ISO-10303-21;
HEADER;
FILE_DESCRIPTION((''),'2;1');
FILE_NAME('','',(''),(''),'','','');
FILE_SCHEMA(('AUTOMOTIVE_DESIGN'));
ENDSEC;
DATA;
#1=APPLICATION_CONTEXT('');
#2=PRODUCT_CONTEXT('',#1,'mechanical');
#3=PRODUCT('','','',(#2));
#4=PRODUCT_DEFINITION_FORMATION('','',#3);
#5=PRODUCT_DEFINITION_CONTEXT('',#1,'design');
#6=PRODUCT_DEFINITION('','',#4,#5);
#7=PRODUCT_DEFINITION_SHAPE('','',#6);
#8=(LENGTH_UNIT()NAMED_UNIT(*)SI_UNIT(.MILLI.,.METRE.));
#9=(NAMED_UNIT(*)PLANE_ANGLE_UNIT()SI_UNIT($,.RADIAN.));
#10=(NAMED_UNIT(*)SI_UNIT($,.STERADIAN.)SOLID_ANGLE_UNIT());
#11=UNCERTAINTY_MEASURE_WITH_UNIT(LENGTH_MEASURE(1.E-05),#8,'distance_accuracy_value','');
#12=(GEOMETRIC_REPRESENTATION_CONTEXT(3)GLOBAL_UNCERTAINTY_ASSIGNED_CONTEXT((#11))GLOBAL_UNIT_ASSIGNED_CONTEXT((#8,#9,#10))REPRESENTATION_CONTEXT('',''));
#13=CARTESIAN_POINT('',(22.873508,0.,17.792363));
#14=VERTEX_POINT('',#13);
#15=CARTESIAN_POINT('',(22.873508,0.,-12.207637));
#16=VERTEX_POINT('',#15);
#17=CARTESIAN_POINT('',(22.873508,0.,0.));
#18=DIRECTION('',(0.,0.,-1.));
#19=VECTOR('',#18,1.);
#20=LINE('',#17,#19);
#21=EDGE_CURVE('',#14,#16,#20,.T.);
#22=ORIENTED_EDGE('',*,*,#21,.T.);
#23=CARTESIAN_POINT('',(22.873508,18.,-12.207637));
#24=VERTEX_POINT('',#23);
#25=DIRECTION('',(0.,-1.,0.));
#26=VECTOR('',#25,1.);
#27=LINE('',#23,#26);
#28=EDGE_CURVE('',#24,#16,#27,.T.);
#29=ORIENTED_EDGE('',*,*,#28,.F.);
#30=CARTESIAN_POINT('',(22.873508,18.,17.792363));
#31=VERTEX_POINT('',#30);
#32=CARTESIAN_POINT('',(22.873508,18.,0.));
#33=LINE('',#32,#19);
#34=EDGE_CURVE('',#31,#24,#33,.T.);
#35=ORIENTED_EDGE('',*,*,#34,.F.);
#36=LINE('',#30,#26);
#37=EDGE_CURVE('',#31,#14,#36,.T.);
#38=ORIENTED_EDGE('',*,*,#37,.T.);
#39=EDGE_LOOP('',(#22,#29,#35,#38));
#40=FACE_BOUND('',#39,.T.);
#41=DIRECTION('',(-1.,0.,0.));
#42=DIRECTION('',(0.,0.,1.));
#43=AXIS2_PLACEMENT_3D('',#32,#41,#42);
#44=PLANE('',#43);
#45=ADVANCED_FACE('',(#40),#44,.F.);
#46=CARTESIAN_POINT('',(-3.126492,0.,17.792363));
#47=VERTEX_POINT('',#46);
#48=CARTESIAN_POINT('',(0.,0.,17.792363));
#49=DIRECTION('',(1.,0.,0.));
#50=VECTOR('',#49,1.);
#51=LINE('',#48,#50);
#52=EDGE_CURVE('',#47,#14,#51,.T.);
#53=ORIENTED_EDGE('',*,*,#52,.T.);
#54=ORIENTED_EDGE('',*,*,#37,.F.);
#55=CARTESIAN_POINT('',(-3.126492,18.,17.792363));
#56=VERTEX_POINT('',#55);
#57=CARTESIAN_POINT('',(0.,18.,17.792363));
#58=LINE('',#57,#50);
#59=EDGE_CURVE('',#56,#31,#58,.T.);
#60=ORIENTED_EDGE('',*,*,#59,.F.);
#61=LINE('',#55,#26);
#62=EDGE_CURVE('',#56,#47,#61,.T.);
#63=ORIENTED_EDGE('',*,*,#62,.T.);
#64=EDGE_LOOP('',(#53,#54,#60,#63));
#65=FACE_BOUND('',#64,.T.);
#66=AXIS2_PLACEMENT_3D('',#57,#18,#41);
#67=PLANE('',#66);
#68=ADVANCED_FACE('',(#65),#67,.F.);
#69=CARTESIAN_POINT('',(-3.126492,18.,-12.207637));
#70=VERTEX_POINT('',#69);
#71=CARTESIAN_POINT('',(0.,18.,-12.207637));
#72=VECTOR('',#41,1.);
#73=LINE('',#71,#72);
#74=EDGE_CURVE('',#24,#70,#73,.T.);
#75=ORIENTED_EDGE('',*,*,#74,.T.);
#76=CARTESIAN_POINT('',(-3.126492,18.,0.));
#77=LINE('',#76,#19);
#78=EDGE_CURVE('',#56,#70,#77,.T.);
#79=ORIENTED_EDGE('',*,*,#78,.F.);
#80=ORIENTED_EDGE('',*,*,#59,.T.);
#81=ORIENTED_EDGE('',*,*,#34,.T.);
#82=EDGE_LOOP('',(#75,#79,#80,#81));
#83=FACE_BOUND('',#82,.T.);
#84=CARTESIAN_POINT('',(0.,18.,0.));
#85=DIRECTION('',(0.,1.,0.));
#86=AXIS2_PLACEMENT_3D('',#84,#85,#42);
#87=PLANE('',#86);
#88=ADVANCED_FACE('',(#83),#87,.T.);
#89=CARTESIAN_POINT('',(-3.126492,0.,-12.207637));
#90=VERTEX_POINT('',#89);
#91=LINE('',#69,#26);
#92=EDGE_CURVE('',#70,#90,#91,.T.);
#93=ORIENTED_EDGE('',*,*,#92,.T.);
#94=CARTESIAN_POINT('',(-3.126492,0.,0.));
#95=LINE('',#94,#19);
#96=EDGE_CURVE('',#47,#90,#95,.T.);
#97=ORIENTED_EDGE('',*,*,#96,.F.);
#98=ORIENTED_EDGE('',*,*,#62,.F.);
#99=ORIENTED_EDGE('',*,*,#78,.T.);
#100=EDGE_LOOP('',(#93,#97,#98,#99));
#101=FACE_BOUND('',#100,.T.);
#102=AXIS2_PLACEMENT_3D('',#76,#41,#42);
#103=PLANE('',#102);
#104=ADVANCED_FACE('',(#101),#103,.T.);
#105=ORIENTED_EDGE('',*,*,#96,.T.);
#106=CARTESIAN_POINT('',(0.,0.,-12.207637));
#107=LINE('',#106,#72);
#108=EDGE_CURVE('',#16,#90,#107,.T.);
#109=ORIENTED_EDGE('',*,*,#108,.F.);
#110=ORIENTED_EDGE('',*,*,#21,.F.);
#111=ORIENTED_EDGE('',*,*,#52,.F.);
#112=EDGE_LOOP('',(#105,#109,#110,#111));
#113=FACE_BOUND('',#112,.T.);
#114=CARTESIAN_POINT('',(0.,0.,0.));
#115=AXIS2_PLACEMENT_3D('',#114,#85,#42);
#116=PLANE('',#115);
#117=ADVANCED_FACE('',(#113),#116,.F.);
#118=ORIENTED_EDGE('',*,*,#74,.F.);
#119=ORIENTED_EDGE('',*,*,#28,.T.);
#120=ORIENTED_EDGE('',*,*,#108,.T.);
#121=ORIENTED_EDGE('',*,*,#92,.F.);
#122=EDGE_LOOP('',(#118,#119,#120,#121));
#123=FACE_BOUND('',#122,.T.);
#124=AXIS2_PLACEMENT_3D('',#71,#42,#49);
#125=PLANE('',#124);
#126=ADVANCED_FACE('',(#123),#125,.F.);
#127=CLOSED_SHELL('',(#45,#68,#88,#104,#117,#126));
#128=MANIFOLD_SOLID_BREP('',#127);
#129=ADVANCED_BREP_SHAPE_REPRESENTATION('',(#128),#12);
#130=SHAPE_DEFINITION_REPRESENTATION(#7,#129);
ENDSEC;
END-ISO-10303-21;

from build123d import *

# Parameters (mm, degrees)
BOSS_EXTRU_1_DEPTH = 18


with BuildPart() as part:
    # Esquisse1 → Boss.-Extru.1 (new body)
    with BuildSketch(Plane(origin=(0, 0, 0), x_dir=(1, 0, 0), z_dir=(0, 1, 0))):
        Polygon((12.873508353, 12.207637232), (6.873508353, 12.207637232), (3.873508353, 12.207637232), (-3.126491647, 12.207637232), (-3.126491647, -12.792362768), (-3.126491647, -17.792362768), (6.873508353, -17.792362768), (12.873508353, -17.792362768), (22.873508353, -17.792362768), (22.873508353, -12.792362768), (22.873508353, 12.207637232), (15.873508353, 12.207637232), align=None)
    extrude(amount=BOSS_EXTRU_1_DEPTH)


solid = part.part
